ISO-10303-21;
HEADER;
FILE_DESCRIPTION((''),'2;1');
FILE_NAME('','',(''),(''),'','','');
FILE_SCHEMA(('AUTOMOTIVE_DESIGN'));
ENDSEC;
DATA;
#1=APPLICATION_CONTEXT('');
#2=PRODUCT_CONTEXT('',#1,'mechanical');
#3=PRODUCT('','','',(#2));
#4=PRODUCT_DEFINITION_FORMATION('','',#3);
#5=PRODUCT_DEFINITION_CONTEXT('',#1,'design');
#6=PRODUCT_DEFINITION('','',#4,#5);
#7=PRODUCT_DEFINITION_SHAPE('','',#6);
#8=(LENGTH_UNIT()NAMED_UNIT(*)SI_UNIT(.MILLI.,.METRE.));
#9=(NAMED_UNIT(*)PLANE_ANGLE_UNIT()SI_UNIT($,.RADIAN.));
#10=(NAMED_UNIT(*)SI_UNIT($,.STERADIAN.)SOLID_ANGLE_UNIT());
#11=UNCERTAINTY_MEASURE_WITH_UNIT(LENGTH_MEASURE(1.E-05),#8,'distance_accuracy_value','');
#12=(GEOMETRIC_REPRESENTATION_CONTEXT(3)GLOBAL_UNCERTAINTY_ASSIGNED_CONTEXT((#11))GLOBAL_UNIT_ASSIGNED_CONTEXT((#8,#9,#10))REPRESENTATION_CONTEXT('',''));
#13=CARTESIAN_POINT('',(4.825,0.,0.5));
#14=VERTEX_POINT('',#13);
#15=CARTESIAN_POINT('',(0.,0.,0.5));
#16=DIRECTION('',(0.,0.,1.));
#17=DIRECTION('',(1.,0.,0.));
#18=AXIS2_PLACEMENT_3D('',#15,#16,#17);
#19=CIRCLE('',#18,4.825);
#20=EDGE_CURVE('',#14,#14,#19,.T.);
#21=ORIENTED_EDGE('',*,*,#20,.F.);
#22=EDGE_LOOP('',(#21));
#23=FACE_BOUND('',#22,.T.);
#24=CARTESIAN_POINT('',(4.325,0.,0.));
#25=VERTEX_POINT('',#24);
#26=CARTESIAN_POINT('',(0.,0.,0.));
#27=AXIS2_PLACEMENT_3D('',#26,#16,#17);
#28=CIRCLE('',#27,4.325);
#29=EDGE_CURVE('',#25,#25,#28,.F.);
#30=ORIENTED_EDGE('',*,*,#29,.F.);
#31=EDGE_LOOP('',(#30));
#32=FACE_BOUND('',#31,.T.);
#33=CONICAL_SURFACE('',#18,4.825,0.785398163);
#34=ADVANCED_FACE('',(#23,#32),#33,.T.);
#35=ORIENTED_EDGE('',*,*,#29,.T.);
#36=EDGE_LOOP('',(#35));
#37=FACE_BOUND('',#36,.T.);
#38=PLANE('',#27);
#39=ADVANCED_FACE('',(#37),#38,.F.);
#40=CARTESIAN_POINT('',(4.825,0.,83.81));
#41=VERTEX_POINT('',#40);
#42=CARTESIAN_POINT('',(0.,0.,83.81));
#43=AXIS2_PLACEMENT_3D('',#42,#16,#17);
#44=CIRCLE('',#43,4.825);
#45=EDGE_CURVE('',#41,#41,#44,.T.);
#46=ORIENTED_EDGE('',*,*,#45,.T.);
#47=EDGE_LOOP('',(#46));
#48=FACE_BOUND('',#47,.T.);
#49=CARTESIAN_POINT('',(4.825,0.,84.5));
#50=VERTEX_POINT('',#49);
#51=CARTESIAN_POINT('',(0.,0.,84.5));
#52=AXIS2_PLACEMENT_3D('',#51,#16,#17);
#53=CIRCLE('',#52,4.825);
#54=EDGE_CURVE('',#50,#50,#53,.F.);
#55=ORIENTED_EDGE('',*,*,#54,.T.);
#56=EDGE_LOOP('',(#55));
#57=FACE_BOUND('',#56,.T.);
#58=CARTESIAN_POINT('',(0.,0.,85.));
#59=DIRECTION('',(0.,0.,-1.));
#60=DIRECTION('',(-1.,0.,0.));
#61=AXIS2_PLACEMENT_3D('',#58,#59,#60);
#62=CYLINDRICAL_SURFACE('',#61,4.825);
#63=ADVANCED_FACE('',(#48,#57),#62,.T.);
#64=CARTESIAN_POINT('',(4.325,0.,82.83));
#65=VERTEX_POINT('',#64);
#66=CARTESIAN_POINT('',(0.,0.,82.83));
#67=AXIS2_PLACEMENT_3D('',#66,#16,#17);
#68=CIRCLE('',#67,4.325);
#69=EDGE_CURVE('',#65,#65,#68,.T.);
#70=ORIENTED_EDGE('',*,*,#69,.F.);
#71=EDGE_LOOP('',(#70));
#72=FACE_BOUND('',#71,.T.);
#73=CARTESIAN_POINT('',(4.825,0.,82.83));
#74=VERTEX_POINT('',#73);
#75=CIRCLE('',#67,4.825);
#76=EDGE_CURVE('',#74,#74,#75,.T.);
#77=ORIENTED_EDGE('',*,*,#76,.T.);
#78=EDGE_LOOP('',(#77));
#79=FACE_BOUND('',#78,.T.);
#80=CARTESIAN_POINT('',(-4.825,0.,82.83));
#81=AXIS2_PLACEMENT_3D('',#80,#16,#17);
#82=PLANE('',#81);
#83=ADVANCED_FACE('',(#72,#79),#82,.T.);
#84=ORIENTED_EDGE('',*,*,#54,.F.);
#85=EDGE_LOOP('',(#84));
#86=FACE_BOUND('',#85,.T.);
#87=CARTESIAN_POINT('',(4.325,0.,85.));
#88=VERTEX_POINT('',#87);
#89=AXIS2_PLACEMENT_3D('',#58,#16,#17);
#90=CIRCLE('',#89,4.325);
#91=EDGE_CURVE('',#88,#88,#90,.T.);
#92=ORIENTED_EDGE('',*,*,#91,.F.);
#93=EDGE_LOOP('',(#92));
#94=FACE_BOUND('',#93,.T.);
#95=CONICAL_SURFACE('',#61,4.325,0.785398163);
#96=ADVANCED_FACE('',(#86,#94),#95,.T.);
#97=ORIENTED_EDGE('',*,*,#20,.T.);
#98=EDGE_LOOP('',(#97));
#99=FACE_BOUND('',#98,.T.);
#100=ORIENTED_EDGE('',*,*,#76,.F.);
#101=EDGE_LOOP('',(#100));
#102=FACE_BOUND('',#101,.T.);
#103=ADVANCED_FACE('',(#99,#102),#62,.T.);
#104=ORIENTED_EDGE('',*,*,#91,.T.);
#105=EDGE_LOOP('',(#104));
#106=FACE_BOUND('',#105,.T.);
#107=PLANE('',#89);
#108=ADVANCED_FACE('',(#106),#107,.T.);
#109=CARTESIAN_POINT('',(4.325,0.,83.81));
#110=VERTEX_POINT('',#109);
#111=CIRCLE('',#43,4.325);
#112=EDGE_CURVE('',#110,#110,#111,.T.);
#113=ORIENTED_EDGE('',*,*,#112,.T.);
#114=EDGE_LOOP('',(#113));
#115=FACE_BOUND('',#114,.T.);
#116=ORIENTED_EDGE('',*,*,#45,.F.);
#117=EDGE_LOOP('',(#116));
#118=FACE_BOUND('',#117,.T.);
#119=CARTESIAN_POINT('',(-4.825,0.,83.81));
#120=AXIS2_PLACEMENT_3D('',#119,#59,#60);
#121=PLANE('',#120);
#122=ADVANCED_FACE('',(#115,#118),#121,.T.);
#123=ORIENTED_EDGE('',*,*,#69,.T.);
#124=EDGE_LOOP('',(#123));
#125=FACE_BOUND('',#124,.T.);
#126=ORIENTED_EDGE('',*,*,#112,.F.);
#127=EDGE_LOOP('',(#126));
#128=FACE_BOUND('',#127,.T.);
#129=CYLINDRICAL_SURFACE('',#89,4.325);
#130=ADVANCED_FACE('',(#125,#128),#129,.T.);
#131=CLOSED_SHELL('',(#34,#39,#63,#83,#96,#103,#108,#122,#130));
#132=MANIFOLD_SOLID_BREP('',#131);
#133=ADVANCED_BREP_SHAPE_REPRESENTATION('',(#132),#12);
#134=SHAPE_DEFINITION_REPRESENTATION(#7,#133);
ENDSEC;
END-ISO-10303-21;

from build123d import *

# Parameters (mm, degrees)
SKETCH1_R           = 4.825
BOSS_EXTRUDE1_DEPTH = 85
CHAMFER1_SIZE       = 0.5
CHAMFER2_SIZE       = 0.5
SKETCH2_W           = 0.5
SKETCH2_H           = 0.98


with BuildPart() as part:
    # Sketch1 → Boss-Extrude1 (new body)
    with BuildSketch(Plane.XY):
        Circle(SKETCH1_R)
    extrude(amount=BOSS_EXTRUDE1_DEPTH)

    # Chamfer1
    chamfer1_edges = [part.edges().sort_by_distance(p)[0] for p in [
        (-4.825, 0, 85),
    ]]
    chamfer(chamfer1_edges, length=CHAMFER1_SIZE)

    # Chamfer2
    chamfer2_edges = [part.edges().sort_by_distance(p)[0] for p in [
        (-4.825, 0, 0),
    ]]
    chamfer(chamfer2_edges, length=CHAMFER2_SIZE)

    # Sketch2 → Cut-Revolve1 (revolve, cut)
    with BuildSketch(Plane(origin=(0, 0, 0), x_dir=(1, 0, 0), z_dir=(0, 1, 0)), mode=Mode.PRIVATE) as cut_revolve1_sk:
        with Locations((-4.575, -83.32)):
            Rectangle(SKETCH2_W, SKETCH2_H)
    revolve(cut_revolve1_sk.sketch.rotate(Axis((0, 0, 85), (0, 0, -1)), 180), axis=Axis((0, 0, 85), (0, 0, -1)), mode=Mode.SUBTRACT)


solid = part.part
